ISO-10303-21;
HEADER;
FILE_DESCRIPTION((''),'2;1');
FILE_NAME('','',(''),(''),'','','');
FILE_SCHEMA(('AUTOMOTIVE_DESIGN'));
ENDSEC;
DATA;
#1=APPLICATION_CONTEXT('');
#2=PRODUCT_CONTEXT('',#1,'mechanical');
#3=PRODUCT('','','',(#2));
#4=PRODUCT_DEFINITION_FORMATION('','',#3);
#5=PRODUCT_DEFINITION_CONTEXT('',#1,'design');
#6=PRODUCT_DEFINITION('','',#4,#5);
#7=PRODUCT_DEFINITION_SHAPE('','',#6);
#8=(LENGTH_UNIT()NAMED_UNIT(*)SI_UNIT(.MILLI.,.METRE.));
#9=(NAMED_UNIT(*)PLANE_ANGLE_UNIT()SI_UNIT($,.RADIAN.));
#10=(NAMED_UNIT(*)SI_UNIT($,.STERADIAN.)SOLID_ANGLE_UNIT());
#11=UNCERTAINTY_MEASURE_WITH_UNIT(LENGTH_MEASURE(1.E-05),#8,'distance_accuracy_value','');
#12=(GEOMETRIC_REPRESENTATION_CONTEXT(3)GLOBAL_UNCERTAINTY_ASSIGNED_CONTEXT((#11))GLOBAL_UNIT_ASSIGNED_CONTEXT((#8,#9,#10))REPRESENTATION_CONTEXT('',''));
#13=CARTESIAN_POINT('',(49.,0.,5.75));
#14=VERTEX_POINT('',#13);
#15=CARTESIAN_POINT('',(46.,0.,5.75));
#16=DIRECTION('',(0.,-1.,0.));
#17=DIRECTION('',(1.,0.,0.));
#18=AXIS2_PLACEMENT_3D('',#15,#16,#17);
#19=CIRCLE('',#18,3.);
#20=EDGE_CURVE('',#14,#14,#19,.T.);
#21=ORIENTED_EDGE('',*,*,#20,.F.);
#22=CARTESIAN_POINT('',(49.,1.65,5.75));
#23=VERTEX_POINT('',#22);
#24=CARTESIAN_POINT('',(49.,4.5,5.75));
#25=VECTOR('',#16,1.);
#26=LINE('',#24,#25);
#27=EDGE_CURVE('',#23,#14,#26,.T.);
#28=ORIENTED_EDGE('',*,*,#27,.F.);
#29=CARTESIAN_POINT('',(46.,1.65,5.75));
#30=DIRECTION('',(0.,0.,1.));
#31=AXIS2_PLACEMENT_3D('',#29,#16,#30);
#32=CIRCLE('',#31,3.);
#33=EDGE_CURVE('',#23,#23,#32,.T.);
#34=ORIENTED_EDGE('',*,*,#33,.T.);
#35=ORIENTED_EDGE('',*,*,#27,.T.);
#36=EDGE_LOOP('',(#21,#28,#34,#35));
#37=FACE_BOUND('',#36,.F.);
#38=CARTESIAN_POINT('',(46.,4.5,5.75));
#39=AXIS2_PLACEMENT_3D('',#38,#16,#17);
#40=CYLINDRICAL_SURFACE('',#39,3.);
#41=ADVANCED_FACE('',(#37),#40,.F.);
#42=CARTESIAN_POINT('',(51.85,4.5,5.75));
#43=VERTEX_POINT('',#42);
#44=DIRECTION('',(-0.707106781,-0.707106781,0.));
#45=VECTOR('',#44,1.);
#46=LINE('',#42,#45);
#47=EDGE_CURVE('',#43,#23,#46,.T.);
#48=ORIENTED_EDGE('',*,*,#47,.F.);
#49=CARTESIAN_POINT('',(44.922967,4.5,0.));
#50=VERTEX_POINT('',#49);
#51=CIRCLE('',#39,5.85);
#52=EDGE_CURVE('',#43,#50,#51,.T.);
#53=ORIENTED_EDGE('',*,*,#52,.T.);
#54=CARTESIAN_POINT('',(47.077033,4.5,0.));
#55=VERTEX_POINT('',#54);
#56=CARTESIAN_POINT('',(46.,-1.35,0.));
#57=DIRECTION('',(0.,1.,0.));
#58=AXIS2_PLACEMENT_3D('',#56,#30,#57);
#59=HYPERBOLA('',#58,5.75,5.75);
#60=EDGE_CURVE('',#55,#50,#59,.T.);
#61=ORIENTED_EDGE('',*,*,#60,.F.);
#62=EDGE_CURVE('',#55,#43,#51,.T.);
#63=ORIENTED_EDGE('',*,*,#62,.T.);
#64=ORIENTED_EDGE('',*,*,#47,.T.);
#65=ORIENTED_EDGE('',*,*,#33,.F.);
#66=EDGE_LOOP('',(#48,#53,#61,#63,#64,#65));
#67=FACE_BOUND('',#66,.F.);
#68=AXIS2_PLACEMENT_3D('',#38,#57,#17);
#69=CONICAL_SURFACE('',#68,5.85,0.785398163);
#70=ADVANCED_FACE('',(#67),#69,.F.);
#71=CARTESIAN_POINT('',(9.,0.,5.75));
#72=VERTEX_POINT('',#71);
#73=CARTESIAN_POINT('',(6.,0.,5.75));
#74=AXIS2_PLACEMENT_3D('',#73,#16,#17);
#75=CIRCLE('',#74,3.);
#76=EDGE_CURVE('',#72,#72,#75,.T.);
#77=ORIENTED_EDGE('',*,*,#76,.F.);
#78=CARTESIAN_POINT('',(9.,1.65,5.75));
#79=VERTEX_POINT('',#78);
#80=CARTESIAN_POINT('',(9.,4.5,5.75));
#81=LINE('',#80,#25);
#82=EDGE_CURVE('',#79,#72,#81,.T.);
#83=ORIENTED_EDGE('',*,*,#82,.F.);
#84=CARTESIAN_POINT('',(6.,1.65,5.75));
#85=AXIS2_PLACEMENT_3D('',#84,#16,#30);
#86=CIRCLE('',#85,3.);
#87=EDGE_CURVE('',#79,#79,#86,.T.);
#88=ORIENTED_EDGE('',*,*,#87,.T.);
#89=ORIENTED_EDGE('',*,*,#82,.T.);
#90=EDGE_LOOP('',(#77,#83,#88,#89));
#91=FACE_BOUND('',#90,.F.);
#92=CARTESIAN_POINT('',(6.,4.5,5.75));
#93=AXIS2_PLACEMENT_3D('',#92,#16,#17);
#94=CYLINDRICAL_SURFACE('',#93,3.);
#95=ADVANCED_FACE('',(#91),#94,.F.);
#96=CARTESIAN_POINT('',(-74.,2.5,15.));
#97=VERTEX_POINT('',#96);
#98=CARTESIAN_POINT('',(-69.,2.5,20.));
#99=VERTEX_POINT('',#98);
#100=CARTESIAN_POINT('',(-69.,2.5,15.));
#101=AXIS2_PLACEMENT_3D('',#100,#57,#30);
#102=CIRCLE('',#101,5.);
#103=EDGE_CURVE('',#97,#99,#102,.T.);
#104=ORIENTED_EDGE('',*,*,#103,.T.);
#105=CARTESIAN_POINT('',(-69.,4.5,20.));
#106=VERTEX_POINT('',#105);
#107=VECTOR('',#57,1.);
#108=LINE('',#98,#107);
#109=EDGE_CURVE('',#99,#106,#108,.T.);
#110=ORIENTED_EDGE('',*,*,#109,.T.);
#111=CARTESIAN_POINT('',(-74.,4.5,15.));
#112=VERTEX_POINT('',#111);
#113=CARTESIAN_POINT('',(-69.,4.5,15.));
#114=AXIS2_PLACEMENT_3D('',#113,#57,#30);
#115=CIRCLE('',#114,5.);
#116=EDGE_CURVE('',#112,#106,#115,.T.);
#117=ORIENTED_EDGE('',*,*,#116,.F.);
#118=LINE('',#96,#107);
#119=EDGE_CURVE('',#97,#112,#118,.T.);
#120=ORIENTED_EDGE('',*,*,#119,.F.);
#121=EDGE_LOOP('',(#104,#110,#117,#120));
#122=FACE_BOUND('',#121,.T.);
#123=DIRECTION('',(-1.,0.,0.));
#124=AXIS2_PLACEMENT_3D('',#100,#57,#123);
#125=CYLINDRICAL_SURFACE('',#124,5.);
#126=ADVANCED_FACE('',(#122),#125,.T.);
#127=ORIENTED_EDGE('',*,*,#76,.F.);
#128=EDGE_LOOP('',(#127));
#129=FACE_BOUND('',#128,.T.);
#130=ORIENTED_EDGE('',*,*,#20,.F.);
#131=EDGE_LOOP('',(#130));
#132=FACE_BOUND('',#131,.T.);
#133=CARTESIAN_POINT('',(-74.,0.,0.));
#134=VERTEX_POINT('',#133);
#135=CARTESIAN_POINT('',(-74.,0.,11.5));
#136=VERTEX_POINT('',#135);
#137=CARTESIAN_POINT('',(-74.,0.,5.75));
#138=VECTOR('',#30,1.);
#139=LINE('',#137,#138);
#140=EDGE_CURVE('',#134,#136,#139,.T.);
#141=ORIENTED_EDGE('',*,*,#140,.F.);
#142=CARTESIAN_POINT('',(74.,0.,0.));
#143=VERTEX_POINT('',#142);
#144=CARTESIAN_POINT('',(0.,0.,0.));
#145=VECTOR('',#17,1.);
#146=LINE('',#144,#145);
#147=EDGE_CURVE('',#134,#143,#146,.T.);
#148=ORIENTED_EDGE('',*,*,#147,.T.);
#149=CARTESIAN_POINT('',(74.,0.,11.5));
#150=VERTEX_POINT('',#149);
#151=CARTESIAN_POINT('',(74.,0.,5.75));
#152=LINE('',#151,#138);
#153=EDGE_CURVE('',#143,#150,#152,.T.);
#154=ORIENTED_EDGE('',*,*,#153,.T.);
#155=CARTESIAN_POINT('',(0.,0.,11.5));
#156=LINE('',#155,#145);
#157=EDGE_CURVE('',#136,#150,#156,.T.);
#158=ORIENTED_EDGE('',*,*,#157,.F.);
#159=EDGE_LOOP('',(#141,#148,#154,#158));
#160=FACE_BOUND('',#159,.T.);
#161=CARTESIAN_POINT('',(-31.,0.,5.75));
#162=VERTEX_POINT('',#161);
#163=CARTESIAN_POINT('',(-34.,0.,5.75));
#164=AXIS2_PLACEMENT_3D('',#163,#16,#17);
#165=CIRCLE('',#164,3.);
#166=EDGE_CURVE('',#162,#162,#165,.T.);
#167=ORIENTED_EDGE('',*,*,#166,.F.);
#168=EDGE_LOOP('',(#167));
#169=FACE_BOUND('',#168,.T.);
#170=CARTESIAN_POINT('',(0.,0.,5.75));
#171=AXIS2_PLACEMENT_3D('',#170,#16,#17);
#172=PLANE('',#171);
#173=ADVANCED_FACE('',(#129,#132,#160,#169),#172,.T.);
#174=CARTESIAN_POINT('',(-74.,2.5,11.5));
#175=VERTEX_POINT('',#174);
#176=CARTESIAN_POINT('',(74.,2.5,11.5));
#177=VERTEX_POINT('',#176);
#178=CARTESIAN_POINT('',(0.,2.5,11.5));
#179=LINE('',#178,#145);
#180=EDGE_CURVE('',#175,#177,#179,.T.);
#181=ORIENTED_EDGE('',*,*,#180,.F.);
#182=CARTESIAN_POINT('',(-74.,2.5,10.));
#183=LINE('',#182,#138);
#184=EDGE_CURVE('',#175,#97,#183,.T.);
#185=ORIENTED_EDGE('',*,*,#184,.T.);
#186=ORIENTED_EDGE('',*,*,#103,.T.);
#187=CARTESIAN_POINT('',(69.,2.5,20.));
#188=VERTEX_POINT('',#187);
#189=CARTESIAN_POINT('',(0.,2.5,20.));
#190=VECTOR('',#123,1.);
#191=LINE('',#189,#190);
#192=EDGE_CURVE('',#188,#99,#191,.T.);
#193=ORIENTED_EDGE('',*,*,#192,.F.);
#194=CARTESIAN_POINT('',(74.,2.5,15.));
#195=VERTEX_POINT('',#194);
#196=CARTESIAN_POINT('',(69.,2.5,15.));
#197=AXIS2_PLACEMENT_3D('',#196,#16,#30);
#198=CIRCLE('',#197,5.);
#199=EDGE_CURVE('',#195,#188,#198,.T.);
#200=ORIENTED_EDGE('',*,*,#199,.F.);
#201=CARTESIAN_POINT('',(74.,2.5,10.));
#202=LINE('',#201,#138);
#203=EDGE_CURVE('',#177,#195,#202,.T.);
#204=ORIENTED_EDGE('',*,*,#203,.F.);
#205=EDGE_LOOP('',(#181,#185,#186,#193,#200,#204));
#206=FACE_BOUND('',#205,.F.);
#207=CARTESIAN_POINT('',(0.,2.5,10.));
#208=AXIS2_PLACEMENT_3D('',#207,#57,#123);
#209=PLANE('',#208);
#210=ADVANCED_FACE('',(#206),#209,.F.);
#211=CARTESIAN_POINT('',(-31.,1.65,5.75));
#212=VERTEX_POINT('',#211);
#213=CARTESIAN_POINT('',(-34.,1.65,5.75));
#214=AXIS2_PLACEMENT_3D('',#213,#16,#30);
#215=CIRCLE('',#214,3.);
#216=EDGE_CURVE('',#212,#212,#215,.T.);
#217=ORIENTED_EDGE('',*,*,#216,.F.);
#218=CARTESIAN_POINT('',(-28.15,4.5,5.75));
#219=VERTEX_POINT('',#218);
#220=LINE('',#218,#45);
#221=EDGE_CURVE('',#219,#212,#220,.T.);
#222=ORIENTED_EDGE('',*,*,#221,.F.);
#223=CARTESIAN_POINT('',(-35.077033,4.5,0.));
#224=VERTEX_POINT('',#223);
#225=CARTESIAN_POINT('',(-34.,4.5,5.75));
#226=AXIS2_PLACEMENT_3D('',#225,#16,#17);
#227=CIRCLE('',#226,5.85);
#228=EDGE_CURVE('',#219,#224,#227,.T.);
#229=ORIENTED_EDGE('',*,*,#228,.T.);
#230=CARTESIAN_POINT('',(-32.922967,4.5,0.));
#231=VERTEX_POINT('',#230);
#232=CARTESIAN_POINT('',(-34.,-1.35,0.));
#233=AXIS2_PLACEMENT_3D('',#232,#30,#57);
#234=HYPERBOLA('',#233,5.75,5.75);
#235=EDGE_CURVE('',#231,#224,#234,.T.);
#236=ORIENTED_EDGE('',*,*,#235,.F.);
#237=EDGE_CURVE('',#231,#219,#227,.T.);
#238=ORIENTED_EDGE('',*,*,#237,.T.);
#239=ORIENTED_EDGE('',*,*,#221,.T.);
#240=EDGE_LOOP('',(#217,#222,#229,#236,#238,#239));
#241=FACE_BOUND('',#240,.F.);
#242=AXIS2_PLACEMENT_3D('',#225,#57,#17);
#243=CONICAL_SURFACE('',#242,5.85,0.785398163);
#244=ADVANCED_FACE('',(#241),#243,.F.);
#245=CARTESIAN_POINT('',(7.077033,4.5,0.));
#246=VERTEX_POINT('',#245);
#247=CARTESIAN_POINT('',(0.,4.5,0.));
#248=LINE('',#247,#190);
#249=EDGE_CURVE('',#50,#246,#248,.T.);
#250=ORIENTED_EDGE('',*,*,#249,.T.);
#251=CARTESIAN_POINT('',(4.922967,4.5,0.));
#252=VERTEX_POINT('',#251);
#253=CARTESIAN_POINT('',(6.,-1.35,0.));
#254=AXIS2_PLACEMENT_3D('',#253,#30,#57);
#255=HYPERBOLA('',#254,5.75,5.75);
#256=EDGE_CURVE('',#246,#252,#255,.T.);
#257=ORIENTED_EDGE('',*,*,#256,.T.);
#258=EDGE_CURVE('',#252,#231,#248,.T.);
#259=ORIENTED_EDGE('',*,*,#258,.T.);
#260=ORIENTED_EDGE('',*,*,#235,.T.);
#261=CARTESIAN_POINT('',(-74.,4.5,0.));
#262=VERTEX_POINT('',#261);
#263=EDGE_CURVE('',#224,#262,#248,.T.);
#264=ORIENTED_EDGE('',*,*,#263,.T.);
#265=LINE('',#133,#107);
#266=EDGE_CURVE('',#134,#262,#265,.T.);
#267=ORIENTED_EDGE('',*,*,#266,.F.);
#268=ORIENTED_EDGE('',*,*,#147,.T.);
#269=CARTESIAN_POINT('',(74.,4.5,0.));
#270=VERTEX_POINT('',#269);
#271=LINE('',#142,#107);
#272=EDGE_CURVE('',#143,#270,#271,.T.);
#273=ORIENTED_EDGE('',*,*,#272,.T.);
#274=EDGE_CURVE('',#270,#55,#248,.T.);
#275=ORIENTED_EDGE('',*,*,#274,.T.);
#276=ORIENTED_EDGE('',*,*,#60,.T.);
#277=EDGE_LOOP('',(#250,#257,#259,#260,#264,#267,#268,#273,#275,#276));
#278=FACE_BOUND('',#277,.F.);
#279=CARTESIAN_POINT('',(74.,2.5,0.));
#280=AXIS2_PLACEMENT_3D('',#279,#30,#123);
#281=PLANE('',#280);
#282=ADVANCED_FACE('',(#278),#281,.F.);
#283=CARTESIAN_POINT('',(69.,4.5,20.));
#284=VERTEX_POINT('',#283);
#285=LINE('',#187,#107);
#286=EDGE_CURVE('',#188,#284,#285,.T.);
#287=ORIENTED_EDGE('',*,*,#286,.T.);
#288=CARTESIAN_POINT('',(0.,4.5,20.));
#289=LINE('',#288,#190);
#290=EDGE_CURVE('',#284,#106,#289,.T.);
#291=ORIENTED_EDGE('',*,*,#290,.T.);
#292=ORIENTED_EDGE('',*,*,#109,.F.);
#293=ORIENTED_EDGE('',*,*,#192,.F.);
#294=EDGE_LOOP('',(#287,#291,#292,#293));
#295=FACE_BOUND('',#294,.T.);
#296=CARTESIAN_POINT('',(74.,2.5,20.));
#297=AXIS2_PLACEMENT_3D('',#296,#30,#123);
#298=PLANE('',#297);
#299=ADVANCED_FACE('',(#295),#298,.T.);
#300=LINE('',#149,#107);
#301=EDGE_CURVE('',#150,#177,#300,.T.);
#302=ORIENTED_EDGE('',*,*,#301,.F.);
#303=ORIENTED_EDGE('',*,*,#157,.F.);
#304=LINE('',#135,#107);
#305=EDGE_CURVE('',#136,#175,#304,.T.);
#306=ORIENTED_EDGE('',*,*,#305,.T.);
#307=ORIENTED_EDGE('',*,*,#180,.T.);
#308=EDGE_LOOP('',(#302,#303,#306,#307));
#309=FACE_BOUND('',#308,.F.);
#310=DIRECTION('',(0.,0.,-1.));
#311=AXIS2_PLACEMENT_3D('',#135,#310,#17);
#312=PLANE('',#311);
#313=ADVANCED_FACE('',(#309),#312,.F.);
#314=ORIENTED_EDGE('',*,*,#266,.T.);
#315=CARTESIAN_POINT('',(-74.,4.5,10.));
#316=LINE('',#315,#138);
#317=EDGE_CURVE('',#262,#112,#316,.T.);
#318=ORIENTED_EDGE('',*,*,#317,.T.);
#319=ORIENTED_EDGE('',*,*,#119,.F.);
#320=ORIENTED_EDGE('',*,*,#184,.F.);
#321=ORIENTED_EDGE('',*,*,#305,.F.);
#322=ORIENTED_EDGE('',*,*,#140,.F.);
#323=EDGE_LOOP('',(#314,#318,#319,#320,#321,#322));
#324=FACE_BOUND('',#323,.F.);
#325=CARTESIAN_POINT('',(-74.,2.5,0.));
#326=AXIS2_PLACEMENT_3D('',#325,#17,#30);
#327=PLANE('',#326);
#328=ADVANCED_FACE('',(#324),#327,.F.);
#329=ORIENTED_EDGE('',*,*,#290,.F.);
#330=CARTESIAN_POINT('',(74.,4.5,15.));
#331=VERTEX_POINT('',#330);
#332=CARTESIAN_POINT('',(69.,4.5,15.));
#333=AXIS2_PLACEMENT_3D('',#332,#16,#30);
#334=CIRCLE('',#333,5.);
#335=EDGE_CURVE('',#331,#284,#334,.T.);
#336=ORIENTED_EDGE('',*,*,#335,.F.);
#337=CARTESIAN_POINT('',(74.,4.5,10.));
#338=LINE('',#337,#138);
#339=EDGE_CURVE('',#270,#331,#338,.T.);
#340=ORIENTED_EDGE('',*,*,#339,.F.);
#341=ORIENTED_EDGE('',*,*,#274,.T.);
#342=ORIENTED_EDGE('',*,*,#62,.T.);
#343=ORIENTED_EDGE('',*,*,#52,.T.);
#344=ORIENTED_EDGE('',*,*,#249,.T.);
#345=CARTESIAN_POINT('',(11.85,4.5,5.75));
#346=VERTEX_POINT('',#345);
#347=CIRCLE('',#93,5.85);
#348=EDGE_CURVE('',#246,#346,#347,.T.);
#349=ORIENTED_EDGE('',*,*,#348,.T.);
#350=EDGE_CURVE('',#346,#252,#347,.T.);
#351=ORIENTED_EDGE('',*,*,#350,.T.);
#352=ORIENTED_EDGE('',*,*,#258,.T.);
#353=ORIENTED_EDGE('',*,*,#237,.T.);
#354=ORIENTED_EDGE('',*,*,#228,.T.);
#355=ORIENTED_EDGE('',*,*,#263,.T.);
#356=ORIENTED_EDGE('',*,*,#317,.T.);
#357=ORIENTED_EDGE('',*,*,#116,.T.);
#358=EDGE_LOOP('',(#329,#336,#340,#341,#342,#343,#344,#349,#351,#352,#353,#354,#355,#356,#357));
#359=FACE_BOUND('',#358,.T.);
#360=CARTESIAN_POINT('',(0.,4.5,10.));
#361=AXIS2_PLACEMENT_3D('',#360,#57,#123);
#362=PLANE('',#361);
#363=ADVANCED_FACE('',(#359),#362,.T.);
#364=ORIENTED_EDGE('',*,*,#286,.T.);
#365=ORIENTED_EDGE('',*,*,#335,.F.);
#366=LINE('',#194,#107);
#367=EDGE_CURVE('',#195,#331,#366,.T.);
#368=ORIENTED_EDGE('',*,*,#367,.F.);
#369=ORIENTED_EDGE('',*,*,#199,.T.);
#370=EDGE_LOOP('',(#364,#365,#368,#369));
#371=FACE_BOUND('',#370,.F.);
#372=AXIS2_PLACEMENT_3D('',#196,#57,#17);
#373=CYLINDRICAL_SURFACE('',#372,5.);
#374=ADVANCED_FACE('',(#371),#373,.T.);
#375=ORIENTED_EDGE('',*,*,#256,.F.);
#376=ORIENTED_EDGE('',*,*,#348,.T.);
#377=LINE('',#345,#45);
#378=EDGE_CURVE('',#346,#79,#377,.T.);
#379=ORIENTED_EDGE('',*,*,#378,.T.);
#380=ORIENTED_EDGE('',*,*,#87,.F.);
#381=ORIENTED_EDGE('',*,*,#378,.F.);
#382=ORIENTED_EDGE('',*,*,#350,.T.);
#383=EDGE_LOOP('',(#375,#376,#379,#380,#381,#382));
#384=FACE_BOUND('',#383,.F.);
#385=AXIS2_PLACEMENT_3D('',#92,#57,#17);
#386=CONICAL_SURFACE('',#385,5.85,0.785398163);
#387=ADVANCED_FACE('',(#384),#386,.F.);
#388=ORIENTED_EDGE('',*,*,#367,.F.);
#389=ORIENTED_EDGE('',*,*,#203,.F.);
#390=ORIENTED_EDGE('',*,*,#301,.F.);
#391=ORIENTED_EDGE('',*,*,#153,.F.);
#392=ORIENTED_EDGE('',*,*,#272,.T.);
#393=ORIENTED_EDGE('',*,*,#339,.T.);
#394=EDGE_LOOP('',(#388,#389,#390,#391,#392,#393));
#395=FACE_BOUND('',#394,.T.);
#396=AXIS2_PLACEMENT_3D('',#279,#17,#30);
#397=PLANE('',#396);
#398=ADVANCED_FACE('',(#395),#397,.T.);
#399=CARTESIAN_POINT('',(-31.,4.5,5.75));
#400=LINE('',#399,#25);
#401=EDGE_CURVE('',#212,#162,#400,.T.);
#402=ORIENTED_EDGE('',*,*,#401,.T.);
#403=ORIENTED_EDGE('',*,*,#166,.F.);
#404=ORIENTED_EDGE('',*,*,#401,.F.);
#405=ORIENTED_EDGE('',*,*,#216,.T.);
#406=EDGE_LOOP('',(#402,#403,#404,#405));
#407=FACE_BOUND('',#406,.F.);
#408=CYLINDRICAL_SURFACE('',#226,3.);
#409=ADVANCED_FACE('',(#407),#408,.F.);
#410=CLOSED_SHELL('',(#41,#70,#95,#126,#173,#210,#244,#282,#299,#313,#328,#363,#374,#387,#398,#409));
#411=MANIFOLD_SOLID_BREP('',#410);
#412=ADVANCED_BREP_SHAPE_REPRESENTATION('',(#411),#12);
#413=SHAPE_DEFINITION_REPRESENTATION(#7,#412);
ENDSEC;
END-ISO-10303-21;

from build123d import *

# Parameters (mm, degrees)
F0_W           = 148
F0_H           = 11.5
F1_DEPTH       = 2.5
F2_W           = 148
F2_H           = 20
F3_DEPTH       = 2
F5_D           = 6
F5_CSINK_D     = 11.7
F5_CSINK_ANGLE = 90
F6_R           = 5


with BuildPart() as f1:
    # F0 (on Front) → F1 (new body)
    with BuildSketch(Plane.XZ):
        with Locations((0, 5.75)):
            Rectangle(F0_W, F0_H)
    extrude(amount=-F1_DEPTH)

    # F2 (on face) → F3 (join)
    with BuildSketch(Plane(origin=(0, 2.5, 0), x_dir=(-1, 0, 0), z_dir=(0, 1, 0))):
        with Locations((0, 10)):
            Rectangle(F2_W, F2_H)
    extrude(amount=F3_DEPTH)

    # F5 (through all)
    with Locations(Plane(origin=(0, 4.5, 0), x_dir=(-1, 0, 0), z_dir=(0, 1, 0))):
        with Locations((-46, 5.75), (-6, 5.75), (34, 5.75)):
            CounterSinkHole(F5_D / 2, F5_CSINK_D / 2, counter_sink_angle=F5_CSINK_ANGLE)

    # F6
    f6_edges = [f1.edges().sort_by_distance(p)[0] for p in [
        (-74, 3.5, 20),
        (74, 3.5, 20),
    ]]
    fillet(f6_edges, radius=F6_R)


solid = f1.part
